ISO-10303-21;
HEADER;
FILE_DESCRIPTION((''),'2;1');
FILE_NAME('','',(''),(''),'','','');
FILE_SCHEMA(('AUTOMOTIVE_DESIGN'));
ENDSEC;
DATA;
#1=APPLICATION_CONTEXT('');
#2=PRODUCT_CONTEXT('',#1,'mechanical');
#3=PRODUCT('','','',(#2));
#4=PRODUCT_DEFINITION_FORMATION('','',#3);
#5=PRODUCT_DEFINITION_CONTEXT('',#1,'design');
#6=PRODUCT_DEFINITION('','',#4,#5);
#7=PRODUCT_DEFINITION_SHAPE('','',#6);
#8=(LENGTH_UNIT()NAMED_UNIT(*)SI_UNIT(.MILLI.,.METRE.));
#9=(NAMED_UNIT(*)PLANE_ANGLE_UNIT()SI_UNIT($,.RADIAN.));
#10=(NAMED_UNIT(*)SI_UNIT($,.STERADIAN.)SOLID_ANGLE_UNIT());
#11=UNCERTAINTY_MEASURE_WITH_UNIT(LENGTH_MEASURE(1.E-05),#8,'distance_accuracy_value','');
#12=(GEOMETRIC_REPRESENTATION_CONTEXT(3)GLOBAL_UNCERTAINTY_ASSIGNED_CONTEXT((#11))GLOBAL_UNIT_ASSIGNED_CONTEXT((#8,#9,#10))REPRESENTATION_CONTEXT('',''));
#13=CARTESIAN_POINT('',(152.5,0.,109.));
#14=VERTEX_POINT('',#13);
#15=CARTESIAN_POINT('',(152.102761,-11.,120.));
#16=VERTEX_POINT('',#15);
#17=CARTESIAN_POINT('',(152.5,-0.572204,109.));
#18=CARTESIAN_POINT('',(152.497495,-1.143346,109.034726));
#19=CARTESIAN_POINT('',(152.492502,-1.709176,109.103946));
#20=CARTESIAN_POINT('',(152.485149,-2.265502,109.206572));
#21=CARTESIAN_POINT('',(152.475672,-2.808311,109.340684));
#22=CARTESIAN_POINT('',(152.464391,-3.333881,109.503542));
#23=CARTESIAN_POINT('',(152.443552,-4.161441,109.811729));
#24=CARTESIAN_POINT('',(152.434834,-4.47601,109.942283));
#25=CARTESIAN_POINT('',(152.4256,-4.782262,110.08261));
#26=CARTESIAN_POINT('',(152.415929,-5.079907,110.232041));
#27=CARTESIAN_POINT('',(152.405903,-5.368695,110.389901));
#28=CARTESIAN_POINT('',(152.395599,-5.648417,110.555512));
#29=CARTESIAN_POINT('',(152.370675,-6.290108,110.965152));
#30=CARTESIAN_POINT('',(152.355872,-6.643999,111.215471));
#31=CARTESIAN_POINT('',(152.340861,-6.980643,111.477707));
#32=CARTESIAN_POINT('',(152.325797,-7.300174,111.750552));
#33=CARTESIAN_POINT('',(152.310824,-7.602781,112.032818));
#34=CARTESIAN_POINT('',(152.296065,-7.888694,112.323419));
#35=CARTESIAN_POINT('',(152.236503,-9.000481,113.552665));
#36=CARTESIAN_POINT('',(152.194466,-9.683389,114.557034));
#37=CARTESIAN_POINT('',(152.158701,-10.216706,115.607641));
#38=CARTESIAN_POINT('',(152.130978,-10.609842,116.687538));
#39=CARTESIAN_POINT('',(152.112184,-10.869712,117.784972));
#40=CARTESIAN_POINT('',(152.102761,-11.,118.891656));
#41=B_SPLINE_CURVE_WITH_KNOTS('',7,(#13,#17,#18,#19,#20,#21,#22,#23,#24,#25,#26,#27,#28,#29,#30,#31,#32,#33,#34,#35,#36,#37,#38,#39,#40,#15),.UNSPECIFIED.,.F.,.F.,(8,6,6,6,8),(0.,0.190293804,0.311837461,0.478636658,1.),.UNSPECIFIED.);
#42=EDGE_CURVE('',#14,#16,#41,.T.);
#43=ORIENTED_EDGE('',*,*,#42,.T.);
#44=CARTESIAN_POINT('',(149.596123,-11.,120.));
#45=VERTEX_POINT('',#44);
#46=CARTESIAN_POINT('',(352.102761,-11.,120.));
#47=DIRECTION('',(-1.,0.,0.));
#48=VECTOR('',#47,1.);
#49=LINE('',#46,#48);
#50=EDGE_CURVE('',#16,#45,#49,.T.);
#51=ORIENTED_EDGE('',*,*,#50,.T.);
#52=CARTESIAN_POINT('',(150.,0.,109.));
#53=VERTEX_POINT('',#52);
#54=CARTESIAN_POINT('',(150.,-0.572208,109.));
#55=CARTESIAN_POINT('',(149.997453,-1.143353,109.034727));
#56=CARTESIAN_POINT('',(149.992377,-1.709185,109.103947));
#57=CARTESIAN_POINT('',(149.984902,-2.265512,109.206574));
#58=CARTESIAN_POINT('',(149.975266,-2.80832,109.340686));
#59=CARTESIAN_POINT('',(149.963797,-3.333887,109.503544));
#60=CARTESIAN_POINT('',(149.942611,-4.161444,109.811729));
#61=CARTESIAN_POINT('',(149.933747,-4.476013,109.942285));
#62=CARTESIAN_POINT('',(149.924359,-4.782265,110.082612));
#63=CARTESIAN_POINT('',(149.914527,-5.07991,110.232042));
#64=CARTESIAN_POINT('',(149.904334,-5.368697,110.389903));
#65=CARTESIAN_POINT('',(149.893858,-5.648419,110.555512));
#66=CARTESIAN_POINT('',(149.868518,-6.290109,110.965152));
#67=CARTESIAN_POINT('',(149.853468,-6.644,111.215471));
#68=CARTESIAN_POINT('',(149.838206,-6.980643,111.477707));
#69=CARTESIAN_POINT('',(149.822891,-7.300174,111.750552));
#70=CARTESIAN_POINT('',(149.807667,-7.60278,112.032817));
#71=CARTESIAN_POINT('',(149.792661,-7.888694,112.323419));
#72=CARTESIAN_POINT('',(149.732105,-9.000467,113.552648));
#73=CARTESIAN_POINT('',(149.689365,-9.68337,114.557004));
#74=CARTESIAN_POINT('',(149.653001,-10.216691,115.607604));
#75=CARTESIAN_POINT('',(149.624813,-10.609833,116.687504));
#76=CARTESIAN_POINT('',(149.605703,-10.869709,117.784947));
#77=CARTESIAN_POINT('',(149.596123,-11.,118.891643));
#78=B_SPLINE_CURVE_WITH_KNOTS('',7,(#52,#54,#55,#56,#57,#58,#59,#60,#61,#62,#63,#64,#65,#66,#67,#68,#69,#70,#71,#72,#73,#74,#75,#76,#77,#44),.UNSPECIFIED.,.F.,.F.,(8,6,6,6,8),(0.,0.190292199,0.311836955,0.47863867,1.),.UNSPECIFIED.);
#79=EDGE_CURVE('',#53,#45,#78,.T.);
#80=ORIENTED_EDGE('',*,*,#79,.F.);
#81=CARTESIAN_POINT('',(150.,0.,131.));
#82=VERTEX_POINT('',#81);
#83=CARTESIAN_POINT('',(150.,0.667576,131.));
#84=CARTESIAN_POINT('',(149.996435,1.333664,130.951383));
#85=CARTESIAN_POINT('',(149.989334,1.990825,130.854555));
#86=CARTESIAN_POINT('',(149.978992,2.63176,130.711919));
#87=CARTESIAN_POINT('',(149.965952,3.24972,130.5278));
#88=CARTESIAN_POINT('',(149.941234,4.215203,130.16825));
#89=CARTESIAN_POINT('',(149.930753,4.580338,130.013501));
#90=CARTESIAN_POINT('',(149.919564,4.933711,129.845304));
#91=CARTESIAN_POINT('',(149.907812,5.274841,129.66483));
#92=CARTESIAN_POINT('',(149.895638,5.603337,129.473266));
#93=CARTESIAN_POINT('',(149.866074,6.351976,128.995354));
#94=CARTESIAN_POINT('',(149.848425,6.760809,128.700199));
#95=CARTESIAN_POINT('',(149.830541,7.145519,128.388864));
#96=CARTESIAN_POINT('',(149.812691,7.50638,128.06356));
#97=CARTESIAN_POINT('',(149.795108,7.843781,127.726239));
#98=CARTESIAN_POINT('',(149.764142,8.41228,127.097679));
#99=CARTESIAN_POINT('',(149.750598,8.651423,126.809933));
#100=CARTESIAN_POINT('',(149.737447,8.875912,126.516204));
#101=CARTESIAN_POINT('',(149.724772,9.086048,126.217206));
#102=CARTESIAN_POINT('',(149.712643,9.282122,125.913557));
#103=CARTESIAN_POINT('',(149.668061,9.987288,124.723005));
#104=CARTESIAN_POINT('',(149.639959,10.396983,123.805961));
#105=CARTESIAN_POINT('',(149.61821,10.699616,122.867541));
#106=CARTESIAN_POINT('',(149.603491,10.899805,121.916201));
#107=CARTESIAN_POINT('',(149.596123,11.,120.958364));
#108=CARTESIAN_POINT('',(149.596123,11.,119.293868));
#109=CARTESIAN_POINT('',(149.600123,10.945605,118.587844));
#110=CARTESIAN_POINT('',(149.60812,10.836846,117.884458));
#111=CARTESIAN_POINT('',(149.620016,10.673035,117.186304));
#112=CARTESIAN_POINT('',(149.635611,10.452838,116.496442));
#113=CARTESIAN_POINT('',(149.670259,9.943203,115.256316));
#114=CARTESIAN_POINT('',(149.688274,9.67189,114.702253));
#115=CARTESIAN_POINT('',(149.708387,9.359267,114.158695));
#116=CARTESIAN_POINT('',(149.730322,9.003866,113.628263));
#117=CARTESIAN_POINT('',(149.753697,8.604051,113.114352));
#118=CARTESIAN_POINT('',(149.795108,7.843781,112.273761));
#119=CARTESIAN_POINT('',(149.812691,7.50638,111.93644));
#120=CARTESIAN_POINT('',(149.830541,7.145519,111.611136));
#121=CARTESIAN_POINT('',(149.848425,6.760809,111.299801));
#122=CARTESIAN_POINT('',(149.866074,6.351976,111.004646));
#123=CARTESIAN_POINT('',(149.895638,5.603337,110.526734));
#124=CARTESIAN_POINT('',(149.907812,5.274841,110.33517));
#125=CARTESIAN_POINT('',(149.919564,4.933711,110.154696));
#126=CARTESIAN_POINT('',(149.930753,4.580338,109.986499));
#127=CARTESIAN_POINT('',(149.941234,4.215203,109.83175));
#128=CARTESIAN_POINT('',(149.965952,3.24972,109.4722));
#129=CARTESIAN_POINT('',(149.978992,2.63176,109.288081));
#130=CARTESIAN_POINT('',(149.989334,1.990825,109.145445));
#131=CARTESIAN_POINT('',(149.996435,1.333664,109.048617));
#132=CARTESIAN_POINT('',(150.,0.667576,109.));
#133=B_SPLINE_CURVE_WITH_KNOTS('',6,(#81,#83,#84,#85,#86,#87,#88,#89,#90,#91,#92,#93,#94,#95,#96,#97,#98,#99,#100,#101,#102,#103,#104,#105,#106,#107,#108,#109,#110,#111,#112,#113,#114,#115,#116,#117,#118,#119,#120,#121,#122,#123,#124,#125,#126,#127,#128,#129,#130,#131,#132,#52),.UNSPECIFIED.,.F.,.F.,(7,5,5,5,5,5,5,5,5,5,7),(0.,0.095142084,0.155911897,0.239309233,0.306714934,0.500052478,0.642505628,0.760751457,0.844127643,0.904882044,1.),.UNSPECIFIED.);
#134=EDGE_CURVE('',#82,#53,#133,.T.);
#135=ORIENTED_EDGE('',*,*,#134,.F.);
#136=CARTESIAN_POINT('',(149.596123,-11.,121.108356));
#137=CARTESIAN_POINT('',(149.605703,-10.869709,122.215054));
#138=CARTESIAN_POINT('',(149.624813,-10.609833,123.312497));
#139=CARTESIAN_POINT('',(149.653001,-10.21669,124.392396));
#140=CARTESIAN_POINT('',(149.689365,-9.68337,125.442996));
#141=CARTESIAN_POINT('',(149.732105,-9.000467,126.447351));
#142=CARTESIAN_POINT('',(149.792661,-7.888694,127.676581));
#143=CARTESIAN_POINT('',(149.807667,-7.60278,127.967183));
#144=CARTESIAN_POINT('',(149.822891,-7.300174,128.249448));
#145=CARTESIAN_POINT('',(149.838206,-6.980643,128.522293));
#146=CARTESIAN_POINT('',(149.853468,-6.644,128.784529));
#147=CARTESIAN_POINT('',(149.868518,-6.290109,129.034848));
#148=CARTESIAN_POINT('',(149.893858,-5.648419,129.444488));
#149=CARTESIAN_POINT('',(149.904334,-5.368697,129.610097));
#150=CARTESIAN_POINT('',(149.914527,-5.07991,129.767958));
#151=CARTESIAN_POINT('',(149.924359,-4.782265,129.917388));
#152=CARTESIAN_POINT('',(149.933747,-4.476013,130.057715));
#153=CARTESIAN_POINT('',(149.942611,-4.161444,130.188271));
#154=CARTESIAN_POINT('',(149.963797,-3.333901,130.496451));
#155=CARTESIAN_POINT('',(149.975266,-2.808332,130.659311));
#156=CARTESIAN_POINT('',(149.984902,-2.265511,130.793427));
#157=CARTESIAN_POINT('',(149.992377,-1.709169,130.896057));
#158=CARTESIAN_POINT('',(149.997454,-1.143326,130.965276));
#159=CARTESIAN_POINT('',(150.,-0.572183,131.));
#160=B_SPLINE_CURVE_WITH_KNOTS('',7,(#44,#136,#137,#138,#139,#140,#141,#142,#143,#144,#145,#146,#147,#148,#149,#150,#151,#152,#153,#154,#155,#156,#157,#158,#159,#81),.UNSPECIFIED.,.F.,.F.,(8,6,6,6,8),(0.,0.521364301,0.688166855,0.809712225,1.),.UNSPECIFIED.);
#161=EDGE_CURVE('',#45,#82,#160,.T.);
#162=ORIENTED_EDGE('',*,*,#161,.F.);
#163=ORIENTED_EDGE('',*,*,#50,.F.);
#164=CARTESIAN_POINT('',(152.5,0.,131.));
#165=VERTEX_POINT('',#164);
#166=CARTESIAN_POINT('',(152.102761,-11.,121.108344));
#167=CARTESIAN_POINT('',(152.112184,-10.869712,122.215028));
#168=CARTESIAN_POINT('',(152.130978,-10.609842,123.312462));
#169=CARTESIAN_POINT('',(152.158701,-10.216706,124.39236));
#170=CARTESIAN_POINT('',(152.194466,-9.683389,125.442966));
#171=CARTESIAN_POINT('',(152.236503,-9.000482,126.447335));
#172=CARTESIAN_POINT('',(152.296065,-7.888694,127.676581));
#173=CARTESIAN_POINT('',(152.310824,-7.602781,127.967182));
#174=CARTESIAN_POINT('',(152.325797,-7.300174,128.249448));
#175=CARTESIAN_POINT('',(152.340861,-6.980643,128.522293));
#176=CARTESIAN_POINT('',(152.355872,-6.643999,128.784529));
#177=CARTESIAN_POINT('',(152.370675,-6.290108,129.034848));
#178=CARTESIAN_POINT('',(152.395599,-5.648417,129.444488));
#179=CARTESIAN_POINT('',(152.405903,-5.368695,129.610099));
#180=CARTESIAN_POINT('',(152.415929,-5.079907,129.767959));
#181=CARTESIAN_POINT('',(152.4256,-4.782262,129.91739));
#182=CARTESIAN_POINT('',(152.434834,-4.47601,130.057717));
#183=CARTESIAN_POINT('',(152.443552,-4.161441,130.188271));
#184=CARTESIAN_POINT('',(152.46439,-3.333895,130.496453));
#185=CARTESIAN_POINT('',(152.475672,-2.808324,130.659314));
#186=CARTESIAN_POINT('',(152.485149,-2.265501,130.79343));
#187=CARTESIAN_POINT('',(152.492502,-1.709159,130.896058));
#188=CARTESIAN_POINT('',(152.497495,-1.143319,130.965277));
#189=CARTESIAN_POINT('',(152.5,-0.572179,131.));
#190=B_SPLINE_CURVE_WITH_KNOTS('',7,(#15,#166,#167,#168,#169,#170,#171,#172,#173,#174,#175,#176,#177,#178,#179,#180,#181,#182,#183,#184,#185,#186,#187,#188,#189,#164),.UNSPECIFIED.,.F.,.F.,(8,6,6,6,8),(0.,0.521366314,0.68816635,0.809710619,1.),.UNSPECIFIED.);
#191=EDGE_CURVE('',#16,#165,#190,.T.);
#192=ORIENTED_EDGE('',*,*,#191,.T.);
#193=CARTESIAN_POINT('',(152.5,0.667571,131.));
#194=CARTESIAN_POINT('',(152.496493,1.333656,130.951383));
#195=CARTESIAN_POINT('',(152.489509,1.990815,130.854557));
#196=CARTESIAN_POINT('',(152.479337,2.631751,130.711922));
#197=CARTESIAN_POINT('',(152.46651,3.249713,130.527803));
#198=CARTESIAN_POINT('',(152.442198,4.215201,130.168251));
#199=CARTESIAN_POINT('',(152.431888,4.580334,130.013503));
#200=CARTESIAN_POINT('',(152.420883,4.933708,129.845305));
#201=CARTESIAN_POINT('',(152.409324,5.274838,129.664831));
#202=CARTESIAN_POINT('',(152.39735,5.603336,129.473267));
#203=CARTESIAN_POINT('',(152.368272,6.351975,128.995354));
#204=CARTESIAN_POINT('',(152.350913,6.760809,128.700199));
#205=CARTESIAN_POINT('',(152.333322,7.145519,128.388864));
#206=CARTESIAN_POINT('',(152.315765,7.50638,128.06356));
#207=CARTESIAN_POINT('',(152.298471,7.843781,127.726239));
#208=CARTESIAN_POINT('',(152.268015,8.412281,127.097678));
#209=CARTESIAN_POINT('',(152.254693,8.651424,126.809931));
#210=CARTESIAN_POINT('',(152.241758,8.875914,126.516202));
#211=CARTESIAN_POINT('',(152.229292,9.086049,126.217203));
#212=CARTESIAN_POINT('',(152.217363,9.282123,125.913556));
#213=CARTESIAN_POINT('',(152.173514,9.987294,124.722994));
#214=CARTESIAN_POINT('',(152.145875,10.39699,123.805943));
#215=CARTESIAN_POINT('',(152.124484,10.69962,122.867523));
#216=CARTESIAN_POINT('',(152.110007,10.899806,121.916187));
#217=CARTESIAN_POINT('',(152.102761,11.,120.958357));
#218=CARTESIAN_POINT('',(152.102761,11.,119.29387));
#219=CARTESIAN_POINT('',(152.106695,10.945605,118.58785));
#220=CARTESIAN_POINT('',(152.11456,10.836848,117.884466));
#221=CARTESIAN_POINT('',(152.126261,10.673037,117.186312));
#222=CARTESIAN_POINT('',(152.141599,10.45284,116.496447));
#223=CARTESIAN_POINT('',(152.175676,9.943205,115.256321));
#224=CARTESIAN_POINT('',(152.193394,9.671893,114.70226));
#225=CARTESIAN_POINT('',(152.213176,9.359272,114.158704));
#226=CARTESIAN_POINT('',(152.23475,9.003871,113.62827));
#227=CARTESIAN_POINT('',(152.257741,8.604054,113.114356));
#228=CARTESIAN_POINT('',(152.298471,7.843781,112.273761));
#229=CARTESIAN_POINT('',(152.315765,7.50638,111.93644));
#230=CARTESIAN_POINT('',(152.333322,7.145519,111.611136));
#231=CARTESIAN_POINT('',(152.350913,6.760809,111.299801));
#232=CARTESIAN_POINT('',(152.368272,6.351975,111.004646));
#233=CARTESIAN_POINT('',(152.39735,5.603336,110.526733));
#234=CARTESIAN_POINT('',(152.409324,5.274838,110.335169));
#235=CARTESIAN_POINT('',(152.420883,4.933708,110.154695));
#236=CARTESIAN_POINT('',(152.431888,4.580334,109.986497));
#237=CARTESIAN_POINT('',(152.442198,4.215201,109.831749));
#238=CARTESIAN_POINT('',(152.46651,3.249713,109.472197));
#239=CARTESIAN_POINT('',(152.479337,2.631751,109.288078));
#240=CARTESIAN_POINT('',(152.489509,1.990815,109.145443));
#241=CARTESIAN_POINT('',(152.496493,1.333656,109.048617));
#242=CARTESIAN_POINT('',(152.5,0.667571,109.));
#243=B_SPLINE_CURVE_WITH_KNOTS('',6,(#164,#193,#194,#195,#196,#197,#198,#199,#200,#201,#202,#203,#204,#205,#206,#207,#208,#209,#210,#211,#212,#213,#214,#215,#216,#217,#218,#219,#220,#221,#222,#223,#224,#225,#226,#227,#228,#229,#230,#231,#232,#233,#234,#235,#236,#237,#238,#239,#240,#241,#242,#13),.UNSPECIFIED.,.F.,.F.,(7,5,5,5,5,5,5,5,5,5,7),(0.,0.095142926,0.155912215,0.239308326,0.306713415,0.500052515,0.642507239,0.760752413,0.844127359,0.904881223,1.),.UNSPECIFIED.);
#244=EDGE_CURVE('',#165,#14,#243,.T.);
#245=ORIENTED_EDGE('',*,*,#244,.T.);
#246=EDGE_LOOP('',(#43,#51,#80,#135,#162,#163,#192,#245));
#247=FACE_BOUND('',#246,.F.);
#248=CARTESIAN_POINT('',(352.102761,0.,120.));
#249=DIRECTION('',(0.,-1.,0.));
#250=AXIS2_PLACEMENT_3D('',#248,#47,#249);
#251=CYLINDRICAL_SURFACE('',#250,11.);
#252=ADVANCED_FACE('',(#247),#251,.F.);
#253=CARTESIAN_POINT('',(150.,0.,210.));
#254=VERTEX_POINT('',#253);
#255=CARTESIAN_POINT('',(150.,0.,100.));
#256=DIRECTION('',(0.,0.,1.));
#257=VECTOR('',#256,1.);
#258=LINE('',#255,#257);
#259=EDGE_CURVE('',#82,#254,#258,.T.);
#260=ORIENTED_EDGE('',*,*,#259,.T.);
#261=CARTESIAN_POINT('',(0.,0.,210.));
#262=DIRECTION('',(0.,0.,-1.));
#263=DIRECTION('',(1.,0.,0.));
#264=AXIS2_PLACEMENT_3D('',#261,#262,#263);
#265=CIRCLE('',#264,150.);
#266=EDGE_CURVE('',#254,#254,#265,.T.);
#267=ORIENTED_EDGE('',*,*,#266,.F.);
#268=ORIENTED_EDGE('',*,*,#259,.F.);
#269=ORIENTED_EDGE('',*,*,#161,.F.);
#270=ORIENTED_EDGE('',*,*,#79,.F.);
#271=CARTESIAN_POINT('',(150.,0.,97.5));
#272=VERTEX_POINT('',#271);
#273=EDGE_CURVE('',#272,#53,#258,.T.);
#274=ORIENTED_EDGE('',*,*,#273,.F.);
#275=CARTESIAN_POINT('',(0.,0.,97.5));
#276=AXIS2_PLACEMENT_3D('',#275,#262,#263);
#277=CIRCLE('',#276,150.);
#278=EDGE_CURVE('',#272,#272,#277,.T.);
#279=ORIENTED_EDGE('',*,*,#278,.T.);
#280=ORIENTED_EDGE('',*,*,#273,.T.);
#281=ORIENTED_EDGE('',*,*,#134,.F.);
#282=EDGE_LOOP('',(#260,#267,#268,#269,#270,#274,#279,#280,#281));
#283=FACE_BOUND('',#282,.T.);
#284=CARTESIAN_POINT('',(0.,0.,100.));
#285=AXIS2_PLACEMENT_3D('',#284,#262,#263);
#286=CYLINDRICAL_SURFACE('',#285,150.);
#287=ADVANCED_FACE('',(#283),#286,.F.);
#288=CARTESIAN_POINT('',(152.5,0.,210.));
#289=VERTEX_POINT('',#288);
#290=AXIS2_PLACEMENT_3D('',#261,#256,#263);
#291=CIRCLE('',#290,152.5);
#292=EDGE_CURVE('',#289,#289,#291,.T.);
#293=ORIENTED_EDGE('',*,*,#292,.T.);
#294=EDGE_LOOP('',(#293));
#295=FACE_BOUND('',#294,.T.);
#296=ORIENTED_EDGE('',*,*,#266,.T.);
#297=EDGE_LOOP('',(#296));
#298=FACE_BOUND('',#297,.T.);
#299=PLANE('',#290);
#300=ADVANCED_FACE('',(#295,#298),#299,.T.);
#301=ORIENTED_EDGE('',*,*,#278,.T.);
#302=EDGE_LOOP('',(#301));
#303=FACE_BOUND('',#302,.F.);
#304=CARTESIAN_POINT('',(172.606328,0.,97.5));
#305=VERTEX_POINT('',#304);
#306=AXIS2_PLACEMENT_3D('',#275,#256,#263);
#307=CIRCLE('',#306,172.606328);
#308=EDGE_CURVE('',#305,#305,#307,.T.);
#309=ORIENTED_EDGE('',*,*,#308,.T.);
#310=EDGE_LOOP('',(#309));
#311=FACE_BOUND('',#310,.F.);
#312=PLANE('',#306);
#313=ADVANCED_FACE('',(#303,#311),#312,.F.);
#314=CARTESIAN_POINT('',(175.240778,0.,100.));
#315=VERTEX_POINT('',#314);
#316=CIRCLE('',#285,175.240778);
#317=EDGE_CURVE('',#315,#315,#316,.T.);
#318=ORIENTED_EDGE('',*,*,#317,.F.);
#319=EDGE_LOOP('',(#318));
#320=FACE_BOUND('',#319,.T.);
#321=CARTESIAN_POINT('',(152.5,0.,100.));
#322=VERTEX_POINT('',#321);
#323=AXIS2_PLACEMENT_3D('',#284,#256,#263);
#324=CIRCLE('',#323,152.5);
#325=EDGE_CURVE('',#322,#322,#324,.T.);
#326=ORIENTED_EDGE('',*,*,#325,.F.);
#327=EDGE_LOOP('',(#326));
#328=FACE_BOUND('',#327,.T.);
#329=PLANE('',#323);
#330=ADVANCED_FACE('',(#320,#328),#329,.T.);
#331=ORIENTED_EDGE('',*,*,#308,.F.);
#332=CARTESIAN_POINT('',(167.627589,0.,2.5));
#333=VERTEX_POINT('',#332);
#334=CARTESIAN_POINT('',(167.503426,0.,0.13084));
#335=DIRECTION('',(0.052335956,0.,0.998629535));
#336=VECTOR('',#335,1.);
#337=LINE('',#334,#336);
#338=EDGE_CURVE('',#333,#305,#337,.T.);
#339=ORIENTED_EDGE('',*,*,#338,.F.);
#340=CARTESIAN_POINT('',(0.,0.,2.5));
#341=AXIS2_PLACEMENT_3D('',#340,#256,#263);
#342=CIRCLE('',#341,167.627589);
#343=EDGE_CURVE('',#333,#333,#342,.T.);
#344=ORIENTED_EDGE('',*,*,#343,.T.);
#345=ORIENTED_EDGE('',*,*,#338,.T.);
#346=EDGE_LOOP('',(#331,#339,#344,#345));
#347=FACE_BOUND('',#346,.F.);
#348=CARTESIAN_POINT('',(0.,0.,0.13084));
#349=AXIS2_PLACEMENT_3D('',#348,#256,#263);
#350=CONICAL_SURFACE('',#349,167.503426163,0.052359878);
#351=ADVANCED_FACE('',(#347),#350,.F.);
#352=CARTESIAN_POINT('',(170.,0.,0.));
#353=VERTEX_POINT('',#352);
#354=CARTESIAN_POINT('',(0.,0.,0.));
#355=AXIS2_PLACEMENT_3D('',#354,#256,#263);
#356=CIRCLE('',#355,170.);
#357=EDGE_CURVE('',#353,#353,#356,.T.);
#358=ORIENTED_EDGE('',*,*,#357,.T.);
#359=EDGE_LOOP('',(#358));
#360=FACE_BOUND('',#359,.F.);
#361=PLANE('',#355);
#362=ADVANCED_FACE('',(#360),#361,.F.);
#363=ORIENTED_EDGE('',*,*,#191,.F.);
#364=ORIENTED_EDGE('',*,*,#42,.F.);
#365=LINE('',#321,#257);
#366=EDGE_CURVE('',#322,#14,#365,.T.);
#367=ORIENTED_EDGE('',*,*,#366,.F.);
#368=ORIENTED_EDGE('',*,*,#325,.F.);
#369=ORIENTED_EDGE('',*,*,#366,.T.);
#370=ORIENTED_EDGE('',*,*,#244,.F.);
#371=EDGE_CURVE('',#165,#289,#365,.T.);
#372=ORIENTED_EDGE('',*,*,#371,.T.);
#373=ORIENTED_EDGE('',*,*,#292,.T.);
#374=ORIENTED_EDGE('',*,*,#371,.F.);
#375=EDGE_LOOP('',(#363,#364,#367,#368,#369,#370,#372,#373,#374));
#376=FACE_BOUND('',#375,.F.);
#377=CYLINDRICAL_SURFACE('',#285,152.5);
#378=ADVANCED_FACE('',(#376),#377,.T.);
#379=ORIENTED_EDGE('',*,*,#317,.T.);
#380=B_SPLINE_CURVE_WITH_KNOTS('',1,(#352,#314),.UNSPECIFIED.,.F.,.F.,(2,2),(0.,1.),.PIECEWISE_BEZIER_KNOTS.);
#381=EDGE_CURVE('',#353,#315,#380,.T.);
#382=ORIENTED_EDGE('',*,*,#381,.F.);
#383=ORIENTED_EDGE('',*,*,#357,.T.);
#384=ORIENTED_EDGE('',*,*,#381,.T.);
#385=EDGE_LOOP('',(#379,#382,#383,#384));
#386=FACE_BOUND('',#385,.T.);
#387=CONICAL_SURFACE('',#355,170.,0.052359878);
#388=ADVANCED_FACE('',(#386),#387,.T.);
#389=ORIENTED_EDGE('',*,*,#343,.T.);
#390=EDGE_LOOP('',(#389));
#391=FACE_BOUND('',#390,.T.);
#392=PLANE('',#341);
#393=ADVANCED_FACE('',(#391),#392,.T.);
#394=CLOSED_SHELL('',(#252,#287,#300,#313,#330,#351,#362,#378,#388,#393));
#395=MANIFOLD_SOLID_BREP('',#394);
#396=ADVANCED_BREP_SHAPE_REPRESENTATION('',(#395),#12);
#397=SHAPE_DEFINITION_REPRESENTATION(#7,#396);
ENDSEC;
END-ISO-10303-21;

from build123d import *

# Parameters (mm, degrees)
F0_R     = 170
F1_DEPTH = 100
F1_TAPER = -3
F7_R     = 152.5
F2_DEPTH = 110
F4_T     = -2.5
F6_D     = 22
F6_DEPTH = 200
F6_START = 47.8972388
F6_TIP   = 6.6094668093


with BuildPart() as f1:
    # F0 (on Top) → F1 (new body)
    with BuildSketch(Plane.XY):
        Circle(F0_R)
    extrude(amount=F1_DEPTH, taper=F1_TAPER)

    # F7 (on face) → F2 (join)
    with BuildSketch(Plane.XY.offset(100)):
        Circle(F7_R)
    extrude(amount=F2_DEPTH)

    # F4
    f4_openings = [f1.faces().sort_by_distance(p)[0] for p in [
        (0, 0, 210),
    ]]
    offset(amount=F4_T, openings=f4_openings, kind=Kind.INTERSECTION)

    # F6
    # its depths count from where the whole tool has entered the part; down to there all is cleared
    with Locations(Plane.YZ.offset(200).offset(-F6_START)):
        with Locations((0, 120)):
            Hole(F6_D / 2, depth=F6_DEPTH)
            with Locations((0, 0, -(F6_DEPTH + F6_TIP / 2))):  # 118° drill point
                Cone(0, F6_D / 2, F6_TIP, mode=Mode.SUBTRACT)


solid = f1.part
